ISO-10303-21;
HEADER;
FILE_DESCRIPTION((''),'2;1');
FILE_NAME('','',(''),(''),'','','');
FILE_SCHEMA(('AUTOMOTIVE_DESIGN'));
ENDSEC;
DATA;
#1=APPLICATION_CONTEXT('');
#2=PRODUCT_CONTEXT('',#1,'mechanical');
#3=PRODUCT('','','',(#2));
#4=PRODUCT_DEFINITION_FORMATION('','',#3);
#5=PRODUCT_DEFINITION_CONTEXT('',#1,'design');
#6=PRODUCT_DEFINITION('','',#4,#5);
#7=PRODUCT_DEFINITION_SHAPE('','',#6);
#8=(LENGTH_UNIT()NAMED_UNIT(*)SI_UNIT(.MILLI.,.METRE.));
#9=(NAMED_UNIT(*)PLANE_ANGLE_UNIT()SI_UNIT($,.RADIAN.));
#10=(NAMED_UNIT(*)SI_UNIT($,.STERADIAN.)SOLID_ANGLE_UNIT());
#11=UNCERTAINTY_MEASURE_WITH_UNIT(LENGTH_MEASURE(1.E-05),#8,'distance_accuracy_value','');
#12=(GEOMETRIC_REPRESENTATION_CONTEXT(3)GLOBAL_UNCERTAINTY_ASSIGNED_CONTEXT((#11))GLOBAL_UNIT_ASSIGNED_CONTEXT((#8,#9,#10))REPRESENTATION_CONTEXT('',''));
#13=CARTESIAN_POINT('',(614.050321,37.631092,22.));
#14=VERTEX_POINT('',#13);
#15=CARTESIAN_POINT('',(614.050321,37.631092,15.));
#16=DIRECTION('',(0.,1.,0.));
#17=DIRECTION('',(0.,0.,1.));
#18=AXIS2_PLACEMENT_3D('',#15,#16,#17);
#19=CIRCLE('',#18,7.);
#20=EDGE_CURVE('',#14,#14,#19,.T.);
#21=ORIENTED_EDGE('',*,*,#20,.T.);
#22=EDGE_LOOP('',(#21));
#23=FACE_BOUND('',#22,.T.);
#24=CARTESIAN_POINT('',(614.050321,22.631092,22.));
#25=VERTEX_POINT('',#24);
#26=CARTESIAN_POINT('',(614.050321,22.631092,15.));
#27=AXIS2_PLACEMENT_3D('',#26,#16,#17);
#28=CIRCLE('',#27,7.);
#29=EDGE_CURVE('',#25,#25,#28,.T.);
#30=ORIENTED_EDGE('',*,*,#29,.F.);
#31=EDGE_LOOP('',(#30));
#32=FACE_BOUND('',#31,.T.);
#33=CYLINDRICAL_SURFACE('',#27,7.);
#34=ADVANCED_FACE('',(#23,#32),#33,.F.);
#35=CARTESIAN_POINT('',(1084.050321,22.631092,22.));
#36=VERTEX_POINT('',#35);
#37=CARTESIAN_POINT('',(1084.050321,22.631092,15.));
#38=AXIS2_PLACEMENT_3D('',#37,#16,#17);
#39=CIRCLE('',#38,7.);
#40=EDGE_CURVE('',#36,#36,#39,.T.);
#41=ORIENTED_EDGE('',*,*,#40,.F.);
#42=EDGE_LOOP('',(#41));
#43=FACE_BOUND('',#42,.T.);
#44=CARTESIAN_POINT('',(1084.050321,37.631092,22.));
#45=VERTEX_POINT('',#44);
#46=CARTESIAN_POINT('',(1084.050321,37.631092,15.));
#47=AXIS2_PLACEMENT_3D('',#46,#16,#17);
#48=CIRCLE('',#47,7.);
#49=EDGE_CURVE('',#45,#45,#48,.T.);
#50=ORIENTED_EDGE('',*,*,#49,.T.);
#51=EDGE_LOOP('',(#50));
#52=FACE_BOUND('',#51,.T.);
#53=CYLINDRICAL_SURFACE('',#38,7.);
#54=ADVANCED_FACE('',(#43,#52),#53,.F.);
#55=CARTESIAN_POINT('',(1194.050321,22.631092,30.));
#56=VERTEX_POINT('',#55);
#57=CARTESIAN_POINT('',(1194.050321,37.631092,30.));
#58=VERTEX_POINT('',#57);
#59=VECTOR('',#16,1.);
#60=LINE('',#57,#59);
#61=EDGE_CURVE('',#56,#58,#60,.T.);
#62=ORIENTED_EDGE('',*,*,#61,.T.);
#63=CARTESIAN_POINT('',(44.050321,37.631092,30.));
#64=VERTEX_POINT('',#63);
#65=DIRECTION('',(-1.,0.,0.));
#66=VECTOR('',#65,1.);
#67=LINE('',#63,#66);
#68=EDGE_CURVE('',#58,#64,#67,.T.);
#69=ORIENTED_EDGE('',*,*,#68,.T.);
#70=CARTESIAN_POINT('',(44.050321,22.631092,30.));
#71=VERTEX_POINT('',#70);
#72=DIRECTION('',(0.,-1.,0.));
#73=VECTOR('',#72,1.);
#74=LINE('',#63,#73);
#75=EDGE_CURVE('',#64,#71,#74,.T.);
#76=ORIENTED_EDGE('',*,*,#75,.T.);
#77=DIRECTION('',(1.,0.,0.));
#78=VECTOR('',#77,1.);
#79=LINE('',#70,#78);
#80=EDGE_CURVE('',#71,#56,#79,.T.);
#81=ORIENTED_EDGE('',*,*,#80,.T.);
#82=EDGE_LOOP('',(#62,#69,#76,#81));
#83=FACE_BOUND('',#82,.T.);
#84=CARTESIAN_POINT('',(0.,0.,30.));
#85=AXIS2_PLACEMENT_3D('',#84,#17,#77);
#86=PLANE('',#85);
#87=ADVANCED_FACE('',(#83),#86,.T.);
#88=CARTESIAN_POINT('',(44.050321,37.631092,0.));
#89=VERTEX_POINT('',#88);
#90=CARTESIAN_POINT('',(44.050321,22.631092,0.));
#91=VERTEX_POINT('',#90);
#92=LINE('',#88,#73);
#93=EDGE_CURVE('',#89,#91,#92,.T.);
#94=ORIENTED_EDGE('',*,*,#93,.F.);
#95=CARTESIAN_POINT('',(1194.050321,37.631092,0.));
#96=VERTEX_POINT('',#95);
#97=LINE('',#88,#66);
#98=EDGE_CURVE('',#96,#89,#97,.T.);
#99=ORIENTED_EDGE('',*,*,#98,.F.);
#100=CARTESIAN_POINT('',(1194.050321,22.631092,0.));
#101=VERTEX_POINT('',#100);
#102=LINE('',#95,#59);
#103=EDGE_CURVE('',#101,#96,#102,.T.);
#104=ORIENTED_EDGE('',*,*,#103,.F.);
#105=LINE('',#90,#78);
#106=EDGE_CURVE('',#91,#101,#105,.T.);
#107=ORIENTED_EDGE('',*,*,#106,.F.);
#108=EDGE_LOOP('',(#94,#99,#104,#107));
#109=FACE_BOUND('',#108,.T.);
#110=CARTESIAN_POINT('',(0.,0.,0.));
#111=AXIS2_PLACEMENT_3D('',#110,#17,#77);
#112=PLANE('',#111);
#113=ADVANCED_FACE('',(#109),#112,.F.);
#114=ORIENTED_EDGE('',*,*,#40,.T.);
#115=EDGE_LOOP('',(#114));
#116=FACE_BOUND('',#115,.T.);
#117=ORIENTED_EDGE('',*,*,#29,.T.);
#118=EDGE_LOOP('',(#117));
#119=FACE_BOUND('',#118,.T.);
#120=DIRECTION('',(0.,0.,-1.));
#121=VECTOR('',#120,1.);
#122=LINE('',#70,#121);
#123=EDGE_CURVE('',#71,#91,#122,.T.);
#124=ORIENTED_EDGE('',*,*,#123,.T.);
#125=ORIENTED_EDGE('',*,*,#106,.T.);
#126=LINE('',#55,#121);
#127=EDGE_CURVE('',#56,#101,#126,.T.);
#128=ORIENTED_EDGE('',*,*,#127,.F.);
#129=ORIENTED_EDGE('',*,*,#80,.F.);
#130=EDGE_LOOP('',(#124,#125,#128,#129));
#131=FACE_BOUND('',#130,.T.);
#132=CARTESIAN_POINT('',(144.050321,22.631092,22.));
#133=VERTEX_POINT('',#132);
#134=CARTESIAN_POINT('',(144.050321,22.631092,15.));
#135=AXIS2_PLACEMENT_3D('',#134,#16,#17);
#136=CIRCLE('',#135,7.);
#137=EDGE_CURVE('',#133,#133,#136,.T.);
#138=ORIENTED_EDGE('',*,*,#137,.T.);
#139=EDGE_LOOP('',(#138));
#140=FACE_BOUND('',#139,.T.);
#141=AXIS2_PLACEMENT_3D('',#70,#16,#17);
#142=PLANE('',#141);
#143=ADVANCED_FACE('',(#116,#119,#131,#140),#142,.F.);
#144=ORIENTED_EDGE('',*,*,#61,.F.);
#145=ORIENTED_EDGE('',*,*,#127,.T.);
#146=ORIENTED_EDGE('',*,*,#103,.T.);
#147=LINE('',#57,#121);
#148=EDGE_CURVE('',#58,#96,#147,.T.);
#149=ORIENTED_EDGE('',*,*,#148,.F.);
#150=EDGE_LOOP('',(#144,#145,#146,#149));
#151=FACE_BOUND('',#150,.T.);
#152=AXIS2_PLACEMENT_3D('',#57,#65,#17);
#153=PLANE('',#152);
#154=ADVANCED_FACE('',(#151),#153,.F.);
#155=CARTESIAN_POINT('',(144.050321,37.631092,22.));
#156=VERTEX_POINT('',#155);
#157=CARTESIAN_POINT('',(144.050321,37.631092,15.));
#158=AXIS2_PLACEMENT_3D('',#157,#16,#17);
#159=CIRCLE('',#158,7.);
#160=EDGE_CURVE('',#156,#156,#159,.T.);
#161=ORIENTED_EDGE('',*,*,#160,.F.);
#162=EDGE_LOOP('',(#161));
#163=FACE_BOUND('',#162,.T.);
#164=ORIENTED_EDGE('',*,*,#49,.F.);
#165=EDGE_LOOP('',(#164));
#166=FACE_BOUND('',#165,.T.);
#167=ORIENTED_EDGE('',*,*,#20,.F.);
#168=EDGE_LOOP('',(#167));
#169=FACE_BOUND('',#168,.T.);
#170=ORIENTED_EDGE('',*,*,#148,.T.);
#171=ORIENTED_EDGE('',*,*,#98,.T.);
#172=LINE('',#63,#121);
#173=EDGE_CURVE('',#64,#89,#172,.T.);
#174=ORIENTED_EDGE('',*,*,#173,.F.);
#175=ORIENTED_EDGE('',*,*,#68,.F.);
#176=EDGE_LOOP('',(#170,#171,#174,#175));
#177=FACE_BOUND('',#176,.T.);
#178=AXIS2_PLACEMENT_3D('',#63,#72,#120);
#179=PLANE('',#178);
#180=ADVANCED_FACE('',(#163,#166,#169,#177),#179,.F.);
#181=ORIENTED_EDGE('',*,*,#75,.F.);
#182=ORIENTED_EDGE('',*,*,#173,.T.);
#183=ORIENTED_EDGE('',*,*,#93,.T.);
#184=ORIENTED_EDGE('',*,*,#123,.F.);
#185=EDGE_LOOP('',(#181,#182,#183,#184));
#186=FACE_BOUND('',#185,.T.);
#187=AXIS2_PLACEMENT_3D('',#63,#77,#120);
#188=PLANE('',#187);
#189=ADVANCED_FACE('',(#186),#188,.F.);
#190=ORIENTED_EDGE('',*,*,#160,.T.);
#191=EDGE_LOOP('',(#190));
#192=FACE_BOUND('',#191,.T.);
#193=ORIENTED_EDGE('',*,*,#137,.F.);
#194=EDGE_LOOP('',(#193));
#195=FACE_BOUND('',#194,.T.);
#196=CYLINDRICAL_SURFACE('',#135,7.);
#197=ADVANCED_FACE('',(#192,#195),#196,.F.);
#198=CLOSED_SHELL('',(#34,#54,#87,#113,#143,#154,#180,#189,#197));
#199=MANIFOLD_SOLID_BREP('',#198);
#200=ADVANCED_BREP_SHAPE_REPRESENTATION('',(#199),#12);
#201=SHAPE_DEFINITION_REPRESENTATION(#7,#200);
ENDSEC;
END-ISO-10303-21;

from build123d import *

# Parameters (mm, degrees)
SKETCH_1_W          = 1150
SKETCH_1_H          = 15
EXTRUDE_1_DEPTH     = 30
SKETCH_2_R          = 7
CUT_EXTRUDE_1_DEPTH = 1195.521313651


with BuildPart() as part:
    # Эскиз1 → Бобышка-Вытянуть1 (new body)
    with BuildSketch(Plane.XY):
        with Locations((619.050320868, 30.131091658)):
            Rectangle(SKETCH_1_W, SKETCH_1_H)
    extrude(amount=EXTRUDE_1_DEPTH)

    # Эскиз2 → Вырез-Вытянуть1 (cut, through all)
    with BuildSketch(Plane(origin=(0, 37.631091658, 0), x_dir=(1, 0, 0), z_dir=(0, 1, 0))):
        with Locations(Location((144.050320868, -15, 0), (0, 0, 270))):
            Circle(SKETCH_2_R)
        with Locations(Location((614.050320868, -15, 0), (0, 0, 270))):
            Circle(SKETCH_2_R)
        with Locations(Location((1084.050320868, -15, 0), (0, 0, 270))):
            Circle(SKETCH_2_R)
    extrude(amount=-CUT_EXTRUDE_1_DEPTH, mode=Mode.SUBTRACT)


solid = part.part
